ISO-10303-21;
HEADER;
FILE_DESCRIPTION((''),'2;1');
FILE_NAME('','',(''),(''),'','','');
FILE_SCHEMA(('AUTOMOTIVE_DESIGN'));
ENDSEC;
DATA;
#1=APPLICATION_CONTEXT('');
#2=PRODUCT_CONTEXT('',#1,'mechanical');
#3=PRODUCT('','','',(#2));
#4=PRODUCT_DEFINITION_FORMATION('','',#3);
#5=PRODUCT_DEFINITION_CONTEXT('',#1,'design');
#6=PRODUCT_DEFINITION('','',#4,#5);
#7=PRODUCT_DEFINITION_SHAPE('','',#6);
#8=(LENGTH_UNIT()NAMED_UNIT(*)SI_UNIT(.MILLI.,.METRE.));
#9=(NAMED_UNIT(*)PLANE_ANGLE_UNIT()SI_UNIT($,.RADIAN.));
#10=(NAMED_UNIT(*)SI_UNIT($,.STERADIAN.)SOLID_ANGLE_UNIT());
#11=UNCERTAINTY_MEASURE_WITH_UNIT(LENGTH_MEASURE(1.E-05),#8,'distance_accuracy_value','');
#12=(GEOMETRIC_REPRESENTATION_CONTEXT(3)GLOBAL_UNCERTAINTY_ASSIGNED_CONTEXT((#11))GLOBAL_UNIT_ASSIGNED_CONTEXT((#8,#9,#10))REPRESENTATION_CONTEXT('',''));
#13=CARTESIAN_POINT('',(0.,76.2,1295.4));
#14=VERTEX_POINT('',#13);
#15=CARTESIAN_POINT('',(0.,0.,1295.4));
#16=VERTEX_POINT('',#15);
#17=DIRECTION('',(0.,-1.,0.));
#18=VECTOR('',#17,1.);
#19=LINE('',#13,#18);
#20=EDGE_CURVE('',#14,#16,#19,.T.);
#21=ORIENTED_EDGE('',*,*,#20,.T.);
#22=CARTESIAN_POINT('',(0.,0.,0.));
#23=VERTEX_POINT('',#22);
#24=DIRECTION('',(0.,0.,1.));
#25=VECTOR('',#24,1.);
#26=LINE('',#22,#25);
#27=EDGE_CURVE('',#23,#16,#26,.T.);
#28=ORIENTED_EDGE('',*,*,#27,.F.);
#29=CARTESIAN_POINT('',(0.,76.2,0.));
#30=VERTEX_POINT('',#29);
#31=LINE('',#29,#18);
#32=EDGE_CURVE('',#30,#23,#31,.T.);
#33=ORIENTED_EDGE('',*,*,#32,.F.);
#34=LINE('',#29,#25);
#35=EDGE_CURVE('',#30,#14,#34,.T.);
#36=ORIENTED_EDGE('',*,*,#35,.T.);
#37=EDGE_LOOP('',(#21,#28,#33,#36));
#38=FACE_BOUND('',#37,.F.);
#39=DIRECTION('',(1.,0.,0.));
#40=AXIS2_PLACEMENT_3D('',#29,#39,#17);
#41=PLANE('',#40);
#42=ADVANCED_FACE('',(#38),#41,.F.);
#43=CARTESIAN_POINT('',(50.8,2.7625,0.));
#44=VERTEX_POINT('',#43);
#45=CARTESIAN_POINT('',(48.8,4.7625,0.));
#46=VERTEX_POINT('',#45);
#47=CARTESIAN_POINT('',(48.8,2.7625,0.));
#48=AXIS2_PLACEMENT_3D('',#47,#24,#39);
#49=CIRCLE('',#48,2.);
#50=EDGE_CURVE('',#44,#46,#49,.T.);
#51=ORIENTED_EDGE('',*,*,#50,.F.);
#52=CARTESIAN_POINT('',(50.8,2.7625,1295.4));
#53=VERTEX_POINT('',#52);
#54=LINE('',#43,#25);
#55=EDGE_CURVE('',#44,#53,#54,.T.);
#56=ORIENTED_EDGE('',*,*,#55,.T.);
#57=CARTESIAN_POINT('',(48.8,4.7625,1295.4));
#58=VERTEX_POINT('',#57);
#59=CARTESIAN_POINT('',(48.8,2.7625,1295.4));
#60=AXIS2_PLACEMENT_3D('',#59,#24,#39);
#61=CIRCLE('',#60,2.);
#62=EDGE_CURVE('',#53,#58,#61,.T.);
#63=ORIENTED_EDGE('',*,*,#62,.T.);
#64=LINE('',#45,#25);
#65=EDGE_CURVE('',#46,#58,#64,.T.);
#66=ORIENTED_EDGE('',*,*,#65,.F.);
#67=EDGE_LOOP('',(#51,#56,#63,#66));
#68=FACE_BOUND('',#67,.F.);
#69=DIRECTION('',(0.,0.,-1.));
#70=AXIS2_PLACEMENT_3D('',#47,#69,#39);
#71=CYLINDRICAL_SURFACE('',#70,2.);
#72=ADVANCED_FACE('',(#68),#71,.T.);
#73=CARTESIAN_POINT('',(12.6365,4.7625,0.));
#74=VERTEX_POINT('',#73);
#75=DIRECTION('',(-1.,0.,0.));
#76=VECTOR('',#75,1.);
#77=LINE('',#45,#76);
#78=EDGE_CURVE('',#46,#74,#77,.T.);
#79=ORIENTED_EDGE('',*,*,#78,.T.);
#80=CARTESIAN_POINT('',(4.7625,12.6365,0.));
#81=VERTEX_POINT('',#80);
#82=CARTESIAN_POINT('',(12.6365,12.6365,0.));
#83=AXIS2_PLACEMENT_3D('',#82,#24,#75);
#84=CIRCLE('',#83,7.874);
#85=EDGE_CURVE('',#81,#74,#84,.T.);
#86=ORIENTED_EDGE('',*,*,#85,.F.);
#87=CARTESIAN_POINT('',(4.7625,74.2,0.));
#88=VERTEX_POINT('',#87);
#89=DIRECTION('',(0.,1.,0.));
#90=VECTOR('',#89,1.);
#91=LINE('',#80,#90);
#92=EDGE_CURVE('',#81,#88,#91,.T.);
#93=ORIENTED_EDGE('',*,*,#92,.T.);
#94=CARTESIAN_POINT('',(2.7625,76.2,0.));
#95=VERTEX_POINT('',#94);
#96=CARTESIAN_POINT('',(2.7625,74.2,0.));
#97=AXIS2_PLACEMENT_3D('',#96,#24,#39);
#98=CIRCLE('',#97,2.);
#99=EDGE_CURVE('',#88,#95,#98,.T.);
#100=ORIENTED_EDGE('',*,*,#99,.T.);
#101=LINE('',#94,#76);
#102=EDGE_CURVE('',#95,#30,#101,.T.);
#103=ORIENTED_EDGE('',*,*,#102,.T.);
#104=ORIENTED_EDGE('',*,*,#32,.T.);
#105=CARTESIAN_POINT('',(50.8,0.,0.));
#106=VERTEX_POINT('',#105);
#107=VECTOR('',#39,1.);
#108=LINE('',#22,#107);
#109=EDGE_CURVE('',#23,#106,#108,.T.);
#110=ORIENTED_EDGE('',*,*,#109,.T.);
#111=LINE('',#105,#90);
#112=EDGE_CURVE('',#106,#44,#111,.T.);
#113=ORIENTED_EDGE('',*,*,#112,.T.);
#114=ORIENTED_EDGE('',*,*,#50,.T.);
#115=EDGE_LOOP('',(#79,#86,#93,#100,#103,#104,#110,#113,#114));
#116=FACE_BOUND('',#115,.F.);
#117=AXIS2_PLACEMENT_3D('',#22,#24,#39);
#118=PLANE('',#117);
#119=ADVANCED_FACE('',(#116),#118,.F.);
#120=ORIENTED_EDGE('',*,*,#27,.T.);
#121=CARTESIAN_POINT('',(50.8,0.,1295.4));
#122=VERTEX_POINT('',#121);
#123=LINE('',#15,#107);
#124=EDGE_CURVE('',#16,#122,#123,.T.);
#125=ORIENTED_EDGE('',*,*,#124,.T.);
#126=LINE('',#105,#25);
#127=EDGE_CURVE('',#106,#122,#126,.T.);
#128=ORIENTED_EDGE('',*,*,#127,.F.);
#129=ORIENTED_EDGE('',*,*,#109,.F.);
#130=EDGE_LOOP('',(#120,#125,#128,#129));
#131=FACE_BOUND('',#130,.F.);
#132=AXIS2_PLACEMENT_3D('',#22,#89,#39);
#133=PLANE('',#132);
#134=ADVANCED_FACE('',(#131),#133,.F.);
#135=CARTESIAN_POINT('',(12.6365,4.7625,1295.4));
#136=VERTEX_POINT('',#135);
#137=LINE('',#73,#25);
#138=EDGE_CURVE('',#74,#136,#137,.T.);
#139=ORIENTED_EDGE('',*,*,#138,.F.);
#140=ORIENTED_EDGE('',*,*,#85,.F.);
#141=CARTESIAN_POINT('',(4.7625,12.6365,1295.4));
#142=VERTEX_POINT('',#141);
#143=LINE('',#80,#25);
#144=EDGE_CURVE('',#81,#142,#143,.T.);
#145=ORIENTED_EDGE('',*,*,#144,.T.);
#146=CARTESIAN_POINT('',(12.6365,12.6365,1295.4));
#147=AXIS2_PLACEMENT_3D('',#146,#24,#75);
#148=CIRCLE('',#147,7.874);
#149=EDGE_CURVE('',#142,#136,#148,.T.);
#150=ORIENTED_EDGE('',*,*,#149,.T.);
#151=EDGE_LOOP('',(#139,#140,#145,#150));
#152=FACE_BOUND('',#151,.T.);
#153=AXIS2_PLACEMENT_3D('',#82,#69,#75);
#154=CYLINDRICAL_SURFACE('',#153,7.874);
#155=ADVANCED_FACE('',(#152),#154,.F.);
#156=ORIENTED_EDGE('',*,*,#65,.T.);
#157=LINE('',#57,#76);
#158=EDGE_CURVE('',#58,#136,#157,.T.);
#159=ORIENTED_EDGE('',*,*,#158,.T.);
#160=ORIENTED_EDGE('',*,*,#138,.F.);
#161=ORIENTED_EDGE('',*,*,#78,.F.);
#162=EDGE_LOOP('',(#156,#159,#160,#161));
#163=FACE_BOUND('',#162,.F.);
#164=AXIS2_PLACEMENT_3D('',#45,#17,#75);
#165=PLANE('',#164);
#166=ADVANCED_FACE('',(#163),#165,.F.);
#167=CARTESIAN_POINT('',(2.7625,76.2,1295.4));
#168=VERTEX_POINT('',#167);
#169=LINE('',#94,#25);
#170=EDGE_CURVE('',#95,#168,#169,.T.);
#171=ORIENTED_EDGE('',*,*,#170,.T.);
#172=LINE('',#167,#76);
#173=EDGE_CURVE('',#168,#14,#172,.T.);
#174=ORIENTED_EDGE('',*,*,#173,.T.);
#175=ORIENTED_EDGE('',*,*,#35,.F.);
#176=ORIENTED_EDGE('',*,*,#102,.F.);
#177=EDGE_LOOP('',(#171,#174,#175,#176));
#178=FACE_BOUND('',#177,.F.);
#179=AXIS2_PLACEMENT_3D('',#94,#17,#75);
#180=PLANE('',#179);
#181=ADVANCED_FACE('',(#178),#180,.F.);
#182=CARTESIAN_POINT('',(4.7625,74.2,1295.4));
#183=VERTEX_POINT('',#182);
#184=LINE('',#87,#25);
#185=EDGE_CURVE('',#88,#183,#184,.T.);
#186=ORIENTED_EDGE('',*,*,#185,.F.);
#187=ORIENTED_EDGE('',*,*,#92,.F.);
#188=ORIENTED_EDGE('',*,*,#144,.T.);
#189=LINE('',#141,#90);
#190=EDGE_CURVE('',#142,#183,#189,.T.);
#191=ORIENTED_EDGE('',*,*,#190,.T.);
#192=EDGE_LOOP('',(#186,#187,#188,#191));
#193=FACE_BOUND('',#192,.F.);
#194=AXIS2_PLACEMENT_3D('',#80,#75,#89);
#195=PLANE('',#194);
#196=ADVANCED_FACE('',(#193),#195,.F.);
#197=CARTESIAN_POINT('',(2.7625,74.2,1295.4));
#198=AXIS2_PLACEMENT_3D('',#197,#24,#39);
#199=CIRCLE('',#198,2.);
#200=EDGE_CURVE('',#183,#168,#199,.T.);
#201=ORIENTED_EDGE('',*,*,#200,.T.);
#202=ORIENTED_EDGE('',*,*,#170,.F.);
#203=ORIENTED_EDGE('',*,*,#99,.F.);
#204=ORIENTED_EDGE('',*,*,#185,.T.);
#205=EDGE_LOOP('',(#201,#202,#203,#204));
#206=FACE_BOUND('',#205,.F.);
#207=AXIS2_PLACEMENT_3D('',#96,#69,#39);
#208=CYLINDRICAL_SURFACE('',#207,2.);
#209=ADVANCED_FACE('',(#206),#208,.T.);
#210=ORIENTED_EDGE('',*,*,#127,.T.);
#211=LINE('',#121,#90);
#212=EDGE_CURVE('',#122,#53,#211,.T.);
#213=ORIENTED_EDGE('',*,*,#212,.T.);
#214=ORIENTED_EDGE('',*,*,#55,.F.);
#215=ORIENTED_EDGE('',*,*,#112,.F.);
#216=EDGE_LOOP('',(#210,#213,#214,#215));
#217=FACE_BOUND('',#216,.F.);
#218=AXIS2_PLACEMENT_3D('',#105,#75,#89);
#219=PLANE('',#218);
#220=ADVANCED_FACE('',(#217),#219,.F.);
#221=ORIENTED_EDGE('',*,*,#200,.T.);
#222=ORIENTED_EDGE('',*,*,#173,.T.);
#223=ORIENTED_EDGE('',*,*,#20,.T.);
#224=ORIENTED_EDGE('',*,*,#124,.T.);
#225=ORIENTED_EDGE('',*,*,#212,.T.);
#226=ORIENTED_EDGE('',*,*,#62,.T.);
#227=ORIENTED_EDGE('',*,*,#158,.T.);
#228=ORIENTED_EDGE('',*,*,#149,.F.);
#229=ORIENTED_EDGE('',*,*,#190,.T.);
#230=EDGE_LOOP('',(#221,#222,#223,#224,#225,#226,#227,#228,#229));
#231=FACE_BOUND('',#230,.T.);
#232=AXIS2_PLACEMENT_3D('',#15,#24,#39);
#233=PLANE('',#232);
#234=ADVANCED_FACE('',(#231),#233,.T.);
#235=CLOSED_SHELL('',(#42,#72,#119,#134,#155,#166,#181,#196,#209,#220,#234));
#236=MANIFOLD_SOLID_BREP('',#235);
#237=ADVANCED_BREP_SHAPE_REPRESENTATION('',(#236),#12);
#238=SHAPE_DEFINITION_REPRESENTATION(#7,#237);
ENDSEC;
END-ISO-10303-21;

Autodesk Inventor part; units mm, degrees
ref_plane "YZ Plane" through (0, 0, 0) normal (1, 0, 0) x (0, 1, 0)
ref_plane "Start plane" through (0, 0, 0) normal (0, 0, 1) x (1, 0, 0)
ref_plane "End plane" through (0, 0, 1295.4) normal (0, 0, 1) x (1, 0, 0)
sketch "Sketch" plane through (0, 0, 0) normal (0, 0, 1) x (1, 0, 0)
  line L0 (0, 76.2) -> (0, 0)
  line L1 (0, 0) -> (50.8, 0)
  line L2 (50.8, 0) -> (50.8, 2.7625)
  line L3 (48.8, 4.7625) -> (12.6365, 4.7625)
  line L4 (4.7625, 12.6365) -> (4.7625, 74.2)
  line L5 (2.7625, 76.2) -> (0, 76.2)
  line L6 (-7.0414, 0) -> (21.5385, 0) construction
  line L7 (0, -8.0414) -> (0, 34.5385) construction
  arc A0 (4.7625, 12.6365) -> (12.6365, 4.7625) centre (12.6365, 12.6365) ccw
  arc A1 (50.8, 2.7625) -> (48.8, 4.7625) centre (48.8, 2.7625) ccw
  arc A2 (4.7625, 74.2) -> (2.7625, 76.2) centre (2.7625, 74.2) ccw
  line L8 (0, 93.5453) -> (0, -24.9725) construction
  line L9 (-18.6925, 0) -> (62.8653, 0) construction
  point P0 (50.8, 4.7625)
  point P1 (4.7625, 4.7625)
  point P2 (4.7625, 76.2)
  dimension "d12" = 4.7625
  dimension "d13" = 76.2
  dimension "d14" = 50.8
  dimension "d15" = 0
  dimension "d16" = 4.7625
  dimension "d17" = 0
  dimension "d18" = 7.874
  dimension "d19" = 2
extrude "Body" add sketch "Sketch" along normal up to surface (1295.4 mm away) from surface at 0
sketch "Sketch3" plane through (0, 0, 0) normal (0, 0, 1) x (1, 0, 0)
  line L0 (0, 0) -> (10, 0)
ref_plane "Work Plane3" through (0, 0, 0) normal (0, -1, 0) x (1, 0, 0)
sketch "Sketch4" plane through (0, 0, 0) normal (0, -1, 0) x (1, 0, 0)
  line L0 (-2, 0) -> (12, 0)
  line L1 (-2, 1295.4) -> (12, 1295.4)
  dimension "d23" = 1295.4
equation "\"d12\" = G_T"
equation "\"d13\" = G_H"
equation "\"d14\" = G_W"
equation "\"d16\" = G_T"
equation "\"d18\" = G_IR"
equation "\"d4\" = G_L"
equation "\"G_W\" = 50.8"
equation "\"G_H\" = 76.2"
equation "\"G_T\" = 4.7625"
equation "\"G_ER\" = 4.064"
equation "\"G_IR\" = 7.874"
equation "\"G_L\" = d23"
equation "\"ex\" = 0"
equation "\"ey\" = 0"
equation "\"G_OFFSET_START\" = 0"
equation "\"G_OFFSET_END\" = 0"
equation "\"d21\" = G_OFFSET_END + B_L"
equation "\"B_L\" = 1295.4"
properties part number "ANSI L 3 x 2 x 3_16 00000003"
